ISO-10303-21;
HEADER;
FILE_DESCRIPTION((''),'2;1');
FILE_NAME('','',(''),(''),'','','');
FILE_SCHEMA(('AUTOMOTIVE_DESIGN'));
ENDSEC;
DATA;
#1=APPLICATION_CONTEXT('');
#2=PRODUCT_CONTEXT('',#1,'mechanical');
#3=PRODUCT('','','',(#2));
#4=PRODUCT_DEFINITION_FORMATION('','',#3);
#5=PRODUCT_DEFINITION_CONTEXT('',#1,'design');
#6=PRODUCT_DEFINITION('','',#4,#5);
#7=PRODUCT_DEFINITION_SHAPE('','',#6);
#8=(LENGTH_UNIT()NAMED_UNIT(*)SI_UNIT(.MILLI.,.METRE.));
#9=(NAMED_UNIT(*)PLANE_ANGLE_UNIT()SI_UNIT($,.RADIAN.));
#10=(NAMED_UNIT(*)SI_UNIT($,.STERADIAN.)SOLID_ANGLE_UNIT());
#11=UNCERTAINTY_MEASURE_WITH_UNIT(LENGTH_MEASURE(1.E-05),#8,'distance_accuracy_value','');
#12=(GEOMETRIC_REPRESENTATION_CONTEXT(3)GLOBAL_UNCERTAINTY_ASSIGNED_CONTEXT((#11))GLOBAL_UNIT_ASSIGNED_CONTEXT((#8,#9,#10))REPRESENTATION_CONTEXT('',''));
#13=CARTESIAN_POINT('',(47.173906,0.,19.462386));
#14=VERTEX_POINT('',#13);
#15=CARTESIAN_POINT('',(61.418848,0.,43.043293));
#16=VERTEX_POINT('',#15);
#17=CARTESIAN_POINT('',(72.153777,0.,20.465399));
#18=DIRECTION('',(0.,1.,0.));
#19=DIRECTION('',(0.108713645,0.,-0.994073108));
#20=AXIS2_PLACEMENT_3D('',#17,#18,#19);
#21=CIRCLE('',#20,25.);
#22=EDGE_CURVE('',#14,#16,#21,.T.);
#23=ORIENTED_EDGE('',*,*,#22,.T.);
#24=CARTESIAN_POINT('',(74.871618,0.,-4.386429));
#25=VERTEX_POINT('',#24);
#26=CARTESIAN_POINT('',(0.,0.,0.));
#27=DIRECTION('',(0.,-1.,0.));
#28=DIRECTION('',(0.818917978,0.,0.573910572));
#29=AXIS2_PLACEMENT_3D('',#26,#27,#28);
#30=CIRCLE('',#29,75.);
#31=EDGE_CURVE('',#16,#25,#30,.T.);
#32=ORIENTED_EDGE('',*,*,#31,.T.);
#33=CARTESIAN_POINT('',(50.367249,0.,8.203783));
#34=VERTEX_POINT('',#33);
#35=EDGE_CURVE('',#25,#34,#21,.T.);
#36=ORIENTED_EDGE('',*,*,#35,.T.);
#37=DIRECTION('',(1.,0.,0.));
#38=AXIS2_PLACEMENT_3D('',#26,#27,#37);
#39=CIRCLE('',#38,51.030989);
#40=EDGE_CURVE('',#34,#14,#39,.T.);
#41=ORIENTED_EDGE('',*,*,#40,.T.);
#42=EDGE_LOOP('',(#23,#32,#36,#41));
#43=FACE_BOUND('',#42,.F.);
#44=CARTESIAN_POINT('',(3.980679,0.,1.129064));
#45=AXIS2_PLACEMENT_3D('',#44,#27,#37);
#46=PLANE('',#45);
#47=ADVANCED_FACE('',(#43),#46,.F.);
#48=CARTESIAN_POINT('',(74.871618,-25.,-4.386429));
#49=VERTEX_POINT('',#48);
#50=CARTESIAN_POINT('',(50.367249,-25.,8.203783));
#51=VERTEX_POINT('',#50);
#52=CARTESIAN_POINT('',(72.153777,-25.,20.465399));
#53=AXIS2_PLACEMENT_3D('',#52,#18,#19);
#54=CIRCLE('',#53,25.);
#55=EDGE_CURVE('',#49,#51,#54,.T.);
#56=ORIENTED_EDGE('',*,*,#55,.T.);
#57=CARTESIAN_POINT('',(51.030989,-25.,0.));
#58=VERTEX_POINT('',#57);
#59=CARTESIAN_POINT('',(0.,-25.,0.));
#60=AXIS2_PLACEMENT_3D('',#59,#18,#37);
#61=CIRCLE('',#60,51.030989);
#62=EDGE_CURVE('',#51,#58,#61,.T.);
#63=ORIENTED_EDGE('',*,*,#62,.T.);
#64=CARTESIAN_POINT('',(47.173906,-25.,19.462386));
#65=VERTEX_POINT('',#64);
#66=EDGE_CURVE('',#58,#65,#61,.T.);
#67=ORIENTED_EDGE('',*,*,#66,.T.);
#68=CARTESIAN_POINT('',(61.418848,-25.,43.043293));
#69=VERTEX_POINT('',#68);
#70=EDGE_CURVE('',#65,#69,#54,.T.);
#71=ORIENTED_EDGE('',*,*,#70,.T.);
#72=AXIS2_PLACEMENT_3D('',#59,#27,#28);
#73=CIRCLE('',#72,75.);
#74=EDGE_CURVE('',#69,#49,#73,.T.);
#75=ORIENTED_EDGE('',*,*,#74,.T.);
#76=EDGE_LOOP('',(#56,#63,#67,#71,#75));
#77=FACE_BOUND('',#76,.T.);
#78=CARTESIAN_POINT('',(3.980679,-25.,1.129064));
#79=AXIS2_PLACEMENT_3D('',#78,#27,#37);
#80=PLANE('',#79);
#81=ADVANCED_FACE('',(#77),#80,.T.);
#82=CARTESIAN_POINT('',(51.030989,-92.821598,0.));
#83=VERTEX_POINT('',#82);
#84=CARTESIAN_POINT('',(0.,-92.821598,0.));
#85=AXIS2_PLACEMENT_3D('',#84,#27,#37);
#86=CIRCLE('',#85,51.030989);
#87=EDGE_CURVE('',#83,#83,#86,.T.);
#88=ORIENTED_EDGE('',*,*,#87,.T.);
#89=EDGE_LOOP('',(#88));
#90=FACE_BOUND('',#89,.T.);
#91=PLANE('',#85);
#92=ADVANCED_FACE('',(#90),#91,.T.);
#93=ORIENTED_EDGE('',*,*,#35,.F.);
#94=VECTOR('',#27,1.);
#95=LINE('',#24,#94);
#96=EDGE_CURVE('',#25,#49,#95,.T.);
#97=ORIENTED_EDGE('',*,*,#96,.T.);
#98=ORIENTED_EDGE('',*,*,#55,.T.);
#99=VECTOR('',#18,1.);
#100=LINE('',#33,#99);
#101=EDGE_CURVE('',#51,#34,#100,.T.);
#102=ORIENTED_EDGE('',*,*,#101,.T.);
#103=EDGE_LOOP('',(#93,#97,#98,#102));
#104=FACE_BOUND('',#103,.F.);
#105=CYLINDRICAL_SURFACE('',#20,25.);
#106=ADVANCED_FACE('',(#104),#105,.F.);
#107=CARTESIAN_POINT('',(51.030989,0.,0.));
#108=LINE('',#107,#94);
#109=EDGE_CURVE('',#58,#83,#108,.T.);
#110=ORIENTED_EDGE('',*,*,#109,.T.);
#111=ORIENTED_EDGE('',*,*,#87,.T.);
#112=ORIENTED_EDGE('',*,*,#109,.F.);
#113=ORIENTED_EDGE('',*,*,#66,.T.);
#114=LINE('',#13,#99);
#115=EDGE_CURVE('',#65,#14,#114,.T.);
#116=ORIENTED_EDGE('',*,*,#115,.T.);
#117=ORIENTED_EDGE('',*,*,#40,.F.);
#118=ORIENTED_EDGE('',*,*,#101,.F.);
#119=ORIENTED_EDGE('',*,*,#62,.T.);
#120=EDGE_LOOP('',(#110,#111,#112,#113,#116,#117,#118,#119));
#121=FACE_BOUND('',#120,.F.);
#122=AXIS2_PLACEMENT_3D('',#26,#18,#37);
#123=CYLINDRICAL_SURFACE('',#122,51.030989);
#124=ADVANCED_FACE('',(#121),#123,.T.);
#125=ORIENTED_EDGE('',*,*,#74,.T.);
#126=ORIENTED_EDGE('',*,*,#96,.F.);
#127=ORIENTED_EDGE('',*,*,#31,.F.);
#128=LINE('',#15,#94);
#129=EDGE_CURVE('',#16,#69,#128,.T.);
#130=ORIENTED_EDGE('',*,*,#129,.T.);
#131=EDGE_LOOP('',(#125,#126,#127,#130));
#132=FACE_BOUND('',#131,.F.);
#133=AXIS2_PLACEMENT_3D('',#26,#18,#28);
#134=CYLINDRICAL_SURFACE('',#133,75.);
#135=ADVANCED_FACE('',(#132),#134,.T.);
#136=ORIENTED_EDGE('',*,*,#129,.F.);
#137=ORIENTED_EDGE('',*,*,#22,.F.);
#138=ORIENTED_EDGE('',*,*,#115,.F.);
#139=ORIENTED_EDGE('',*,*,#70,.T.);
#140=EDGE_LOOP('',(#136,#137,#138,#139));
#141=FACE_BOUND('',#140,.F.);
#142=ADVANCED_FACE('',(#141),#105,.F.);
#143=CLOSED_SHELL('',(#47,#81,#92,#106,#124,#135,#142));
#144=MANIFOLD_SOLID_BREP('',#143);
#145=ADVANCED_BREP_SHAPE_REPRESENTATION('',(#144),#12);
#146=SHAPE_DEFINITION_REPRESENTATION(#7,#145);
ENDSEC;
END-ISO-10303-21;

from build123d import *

# Parameters (mm, degrees)
F2_DEPTH = 25
F0_R     = 51.030989
F3_DEPTH = 92.821598


with BuildPart() as f2:
    # F1 (on Front) → F2 (new body)
    with BuildSketch(Plane.XZ):
        with BuildLine():
            ThreePointArc((74.871618, -4.386429), (48.102518, 13.643599), (61.418848, 43.043293))
            ThreePointArc((61.418848, 43.043293), (-72.153777, -20.465398), (74.871618, -4.386429))
        make_face()
    extrude(amount=F2_DEPTH)

    # F0 (on Front) → F3 (join)
    with BuildSketch(Plane.XZ):
        Circle(F0_R)
    extrude(amount=F3_DEPTH)


solid = f2.part
